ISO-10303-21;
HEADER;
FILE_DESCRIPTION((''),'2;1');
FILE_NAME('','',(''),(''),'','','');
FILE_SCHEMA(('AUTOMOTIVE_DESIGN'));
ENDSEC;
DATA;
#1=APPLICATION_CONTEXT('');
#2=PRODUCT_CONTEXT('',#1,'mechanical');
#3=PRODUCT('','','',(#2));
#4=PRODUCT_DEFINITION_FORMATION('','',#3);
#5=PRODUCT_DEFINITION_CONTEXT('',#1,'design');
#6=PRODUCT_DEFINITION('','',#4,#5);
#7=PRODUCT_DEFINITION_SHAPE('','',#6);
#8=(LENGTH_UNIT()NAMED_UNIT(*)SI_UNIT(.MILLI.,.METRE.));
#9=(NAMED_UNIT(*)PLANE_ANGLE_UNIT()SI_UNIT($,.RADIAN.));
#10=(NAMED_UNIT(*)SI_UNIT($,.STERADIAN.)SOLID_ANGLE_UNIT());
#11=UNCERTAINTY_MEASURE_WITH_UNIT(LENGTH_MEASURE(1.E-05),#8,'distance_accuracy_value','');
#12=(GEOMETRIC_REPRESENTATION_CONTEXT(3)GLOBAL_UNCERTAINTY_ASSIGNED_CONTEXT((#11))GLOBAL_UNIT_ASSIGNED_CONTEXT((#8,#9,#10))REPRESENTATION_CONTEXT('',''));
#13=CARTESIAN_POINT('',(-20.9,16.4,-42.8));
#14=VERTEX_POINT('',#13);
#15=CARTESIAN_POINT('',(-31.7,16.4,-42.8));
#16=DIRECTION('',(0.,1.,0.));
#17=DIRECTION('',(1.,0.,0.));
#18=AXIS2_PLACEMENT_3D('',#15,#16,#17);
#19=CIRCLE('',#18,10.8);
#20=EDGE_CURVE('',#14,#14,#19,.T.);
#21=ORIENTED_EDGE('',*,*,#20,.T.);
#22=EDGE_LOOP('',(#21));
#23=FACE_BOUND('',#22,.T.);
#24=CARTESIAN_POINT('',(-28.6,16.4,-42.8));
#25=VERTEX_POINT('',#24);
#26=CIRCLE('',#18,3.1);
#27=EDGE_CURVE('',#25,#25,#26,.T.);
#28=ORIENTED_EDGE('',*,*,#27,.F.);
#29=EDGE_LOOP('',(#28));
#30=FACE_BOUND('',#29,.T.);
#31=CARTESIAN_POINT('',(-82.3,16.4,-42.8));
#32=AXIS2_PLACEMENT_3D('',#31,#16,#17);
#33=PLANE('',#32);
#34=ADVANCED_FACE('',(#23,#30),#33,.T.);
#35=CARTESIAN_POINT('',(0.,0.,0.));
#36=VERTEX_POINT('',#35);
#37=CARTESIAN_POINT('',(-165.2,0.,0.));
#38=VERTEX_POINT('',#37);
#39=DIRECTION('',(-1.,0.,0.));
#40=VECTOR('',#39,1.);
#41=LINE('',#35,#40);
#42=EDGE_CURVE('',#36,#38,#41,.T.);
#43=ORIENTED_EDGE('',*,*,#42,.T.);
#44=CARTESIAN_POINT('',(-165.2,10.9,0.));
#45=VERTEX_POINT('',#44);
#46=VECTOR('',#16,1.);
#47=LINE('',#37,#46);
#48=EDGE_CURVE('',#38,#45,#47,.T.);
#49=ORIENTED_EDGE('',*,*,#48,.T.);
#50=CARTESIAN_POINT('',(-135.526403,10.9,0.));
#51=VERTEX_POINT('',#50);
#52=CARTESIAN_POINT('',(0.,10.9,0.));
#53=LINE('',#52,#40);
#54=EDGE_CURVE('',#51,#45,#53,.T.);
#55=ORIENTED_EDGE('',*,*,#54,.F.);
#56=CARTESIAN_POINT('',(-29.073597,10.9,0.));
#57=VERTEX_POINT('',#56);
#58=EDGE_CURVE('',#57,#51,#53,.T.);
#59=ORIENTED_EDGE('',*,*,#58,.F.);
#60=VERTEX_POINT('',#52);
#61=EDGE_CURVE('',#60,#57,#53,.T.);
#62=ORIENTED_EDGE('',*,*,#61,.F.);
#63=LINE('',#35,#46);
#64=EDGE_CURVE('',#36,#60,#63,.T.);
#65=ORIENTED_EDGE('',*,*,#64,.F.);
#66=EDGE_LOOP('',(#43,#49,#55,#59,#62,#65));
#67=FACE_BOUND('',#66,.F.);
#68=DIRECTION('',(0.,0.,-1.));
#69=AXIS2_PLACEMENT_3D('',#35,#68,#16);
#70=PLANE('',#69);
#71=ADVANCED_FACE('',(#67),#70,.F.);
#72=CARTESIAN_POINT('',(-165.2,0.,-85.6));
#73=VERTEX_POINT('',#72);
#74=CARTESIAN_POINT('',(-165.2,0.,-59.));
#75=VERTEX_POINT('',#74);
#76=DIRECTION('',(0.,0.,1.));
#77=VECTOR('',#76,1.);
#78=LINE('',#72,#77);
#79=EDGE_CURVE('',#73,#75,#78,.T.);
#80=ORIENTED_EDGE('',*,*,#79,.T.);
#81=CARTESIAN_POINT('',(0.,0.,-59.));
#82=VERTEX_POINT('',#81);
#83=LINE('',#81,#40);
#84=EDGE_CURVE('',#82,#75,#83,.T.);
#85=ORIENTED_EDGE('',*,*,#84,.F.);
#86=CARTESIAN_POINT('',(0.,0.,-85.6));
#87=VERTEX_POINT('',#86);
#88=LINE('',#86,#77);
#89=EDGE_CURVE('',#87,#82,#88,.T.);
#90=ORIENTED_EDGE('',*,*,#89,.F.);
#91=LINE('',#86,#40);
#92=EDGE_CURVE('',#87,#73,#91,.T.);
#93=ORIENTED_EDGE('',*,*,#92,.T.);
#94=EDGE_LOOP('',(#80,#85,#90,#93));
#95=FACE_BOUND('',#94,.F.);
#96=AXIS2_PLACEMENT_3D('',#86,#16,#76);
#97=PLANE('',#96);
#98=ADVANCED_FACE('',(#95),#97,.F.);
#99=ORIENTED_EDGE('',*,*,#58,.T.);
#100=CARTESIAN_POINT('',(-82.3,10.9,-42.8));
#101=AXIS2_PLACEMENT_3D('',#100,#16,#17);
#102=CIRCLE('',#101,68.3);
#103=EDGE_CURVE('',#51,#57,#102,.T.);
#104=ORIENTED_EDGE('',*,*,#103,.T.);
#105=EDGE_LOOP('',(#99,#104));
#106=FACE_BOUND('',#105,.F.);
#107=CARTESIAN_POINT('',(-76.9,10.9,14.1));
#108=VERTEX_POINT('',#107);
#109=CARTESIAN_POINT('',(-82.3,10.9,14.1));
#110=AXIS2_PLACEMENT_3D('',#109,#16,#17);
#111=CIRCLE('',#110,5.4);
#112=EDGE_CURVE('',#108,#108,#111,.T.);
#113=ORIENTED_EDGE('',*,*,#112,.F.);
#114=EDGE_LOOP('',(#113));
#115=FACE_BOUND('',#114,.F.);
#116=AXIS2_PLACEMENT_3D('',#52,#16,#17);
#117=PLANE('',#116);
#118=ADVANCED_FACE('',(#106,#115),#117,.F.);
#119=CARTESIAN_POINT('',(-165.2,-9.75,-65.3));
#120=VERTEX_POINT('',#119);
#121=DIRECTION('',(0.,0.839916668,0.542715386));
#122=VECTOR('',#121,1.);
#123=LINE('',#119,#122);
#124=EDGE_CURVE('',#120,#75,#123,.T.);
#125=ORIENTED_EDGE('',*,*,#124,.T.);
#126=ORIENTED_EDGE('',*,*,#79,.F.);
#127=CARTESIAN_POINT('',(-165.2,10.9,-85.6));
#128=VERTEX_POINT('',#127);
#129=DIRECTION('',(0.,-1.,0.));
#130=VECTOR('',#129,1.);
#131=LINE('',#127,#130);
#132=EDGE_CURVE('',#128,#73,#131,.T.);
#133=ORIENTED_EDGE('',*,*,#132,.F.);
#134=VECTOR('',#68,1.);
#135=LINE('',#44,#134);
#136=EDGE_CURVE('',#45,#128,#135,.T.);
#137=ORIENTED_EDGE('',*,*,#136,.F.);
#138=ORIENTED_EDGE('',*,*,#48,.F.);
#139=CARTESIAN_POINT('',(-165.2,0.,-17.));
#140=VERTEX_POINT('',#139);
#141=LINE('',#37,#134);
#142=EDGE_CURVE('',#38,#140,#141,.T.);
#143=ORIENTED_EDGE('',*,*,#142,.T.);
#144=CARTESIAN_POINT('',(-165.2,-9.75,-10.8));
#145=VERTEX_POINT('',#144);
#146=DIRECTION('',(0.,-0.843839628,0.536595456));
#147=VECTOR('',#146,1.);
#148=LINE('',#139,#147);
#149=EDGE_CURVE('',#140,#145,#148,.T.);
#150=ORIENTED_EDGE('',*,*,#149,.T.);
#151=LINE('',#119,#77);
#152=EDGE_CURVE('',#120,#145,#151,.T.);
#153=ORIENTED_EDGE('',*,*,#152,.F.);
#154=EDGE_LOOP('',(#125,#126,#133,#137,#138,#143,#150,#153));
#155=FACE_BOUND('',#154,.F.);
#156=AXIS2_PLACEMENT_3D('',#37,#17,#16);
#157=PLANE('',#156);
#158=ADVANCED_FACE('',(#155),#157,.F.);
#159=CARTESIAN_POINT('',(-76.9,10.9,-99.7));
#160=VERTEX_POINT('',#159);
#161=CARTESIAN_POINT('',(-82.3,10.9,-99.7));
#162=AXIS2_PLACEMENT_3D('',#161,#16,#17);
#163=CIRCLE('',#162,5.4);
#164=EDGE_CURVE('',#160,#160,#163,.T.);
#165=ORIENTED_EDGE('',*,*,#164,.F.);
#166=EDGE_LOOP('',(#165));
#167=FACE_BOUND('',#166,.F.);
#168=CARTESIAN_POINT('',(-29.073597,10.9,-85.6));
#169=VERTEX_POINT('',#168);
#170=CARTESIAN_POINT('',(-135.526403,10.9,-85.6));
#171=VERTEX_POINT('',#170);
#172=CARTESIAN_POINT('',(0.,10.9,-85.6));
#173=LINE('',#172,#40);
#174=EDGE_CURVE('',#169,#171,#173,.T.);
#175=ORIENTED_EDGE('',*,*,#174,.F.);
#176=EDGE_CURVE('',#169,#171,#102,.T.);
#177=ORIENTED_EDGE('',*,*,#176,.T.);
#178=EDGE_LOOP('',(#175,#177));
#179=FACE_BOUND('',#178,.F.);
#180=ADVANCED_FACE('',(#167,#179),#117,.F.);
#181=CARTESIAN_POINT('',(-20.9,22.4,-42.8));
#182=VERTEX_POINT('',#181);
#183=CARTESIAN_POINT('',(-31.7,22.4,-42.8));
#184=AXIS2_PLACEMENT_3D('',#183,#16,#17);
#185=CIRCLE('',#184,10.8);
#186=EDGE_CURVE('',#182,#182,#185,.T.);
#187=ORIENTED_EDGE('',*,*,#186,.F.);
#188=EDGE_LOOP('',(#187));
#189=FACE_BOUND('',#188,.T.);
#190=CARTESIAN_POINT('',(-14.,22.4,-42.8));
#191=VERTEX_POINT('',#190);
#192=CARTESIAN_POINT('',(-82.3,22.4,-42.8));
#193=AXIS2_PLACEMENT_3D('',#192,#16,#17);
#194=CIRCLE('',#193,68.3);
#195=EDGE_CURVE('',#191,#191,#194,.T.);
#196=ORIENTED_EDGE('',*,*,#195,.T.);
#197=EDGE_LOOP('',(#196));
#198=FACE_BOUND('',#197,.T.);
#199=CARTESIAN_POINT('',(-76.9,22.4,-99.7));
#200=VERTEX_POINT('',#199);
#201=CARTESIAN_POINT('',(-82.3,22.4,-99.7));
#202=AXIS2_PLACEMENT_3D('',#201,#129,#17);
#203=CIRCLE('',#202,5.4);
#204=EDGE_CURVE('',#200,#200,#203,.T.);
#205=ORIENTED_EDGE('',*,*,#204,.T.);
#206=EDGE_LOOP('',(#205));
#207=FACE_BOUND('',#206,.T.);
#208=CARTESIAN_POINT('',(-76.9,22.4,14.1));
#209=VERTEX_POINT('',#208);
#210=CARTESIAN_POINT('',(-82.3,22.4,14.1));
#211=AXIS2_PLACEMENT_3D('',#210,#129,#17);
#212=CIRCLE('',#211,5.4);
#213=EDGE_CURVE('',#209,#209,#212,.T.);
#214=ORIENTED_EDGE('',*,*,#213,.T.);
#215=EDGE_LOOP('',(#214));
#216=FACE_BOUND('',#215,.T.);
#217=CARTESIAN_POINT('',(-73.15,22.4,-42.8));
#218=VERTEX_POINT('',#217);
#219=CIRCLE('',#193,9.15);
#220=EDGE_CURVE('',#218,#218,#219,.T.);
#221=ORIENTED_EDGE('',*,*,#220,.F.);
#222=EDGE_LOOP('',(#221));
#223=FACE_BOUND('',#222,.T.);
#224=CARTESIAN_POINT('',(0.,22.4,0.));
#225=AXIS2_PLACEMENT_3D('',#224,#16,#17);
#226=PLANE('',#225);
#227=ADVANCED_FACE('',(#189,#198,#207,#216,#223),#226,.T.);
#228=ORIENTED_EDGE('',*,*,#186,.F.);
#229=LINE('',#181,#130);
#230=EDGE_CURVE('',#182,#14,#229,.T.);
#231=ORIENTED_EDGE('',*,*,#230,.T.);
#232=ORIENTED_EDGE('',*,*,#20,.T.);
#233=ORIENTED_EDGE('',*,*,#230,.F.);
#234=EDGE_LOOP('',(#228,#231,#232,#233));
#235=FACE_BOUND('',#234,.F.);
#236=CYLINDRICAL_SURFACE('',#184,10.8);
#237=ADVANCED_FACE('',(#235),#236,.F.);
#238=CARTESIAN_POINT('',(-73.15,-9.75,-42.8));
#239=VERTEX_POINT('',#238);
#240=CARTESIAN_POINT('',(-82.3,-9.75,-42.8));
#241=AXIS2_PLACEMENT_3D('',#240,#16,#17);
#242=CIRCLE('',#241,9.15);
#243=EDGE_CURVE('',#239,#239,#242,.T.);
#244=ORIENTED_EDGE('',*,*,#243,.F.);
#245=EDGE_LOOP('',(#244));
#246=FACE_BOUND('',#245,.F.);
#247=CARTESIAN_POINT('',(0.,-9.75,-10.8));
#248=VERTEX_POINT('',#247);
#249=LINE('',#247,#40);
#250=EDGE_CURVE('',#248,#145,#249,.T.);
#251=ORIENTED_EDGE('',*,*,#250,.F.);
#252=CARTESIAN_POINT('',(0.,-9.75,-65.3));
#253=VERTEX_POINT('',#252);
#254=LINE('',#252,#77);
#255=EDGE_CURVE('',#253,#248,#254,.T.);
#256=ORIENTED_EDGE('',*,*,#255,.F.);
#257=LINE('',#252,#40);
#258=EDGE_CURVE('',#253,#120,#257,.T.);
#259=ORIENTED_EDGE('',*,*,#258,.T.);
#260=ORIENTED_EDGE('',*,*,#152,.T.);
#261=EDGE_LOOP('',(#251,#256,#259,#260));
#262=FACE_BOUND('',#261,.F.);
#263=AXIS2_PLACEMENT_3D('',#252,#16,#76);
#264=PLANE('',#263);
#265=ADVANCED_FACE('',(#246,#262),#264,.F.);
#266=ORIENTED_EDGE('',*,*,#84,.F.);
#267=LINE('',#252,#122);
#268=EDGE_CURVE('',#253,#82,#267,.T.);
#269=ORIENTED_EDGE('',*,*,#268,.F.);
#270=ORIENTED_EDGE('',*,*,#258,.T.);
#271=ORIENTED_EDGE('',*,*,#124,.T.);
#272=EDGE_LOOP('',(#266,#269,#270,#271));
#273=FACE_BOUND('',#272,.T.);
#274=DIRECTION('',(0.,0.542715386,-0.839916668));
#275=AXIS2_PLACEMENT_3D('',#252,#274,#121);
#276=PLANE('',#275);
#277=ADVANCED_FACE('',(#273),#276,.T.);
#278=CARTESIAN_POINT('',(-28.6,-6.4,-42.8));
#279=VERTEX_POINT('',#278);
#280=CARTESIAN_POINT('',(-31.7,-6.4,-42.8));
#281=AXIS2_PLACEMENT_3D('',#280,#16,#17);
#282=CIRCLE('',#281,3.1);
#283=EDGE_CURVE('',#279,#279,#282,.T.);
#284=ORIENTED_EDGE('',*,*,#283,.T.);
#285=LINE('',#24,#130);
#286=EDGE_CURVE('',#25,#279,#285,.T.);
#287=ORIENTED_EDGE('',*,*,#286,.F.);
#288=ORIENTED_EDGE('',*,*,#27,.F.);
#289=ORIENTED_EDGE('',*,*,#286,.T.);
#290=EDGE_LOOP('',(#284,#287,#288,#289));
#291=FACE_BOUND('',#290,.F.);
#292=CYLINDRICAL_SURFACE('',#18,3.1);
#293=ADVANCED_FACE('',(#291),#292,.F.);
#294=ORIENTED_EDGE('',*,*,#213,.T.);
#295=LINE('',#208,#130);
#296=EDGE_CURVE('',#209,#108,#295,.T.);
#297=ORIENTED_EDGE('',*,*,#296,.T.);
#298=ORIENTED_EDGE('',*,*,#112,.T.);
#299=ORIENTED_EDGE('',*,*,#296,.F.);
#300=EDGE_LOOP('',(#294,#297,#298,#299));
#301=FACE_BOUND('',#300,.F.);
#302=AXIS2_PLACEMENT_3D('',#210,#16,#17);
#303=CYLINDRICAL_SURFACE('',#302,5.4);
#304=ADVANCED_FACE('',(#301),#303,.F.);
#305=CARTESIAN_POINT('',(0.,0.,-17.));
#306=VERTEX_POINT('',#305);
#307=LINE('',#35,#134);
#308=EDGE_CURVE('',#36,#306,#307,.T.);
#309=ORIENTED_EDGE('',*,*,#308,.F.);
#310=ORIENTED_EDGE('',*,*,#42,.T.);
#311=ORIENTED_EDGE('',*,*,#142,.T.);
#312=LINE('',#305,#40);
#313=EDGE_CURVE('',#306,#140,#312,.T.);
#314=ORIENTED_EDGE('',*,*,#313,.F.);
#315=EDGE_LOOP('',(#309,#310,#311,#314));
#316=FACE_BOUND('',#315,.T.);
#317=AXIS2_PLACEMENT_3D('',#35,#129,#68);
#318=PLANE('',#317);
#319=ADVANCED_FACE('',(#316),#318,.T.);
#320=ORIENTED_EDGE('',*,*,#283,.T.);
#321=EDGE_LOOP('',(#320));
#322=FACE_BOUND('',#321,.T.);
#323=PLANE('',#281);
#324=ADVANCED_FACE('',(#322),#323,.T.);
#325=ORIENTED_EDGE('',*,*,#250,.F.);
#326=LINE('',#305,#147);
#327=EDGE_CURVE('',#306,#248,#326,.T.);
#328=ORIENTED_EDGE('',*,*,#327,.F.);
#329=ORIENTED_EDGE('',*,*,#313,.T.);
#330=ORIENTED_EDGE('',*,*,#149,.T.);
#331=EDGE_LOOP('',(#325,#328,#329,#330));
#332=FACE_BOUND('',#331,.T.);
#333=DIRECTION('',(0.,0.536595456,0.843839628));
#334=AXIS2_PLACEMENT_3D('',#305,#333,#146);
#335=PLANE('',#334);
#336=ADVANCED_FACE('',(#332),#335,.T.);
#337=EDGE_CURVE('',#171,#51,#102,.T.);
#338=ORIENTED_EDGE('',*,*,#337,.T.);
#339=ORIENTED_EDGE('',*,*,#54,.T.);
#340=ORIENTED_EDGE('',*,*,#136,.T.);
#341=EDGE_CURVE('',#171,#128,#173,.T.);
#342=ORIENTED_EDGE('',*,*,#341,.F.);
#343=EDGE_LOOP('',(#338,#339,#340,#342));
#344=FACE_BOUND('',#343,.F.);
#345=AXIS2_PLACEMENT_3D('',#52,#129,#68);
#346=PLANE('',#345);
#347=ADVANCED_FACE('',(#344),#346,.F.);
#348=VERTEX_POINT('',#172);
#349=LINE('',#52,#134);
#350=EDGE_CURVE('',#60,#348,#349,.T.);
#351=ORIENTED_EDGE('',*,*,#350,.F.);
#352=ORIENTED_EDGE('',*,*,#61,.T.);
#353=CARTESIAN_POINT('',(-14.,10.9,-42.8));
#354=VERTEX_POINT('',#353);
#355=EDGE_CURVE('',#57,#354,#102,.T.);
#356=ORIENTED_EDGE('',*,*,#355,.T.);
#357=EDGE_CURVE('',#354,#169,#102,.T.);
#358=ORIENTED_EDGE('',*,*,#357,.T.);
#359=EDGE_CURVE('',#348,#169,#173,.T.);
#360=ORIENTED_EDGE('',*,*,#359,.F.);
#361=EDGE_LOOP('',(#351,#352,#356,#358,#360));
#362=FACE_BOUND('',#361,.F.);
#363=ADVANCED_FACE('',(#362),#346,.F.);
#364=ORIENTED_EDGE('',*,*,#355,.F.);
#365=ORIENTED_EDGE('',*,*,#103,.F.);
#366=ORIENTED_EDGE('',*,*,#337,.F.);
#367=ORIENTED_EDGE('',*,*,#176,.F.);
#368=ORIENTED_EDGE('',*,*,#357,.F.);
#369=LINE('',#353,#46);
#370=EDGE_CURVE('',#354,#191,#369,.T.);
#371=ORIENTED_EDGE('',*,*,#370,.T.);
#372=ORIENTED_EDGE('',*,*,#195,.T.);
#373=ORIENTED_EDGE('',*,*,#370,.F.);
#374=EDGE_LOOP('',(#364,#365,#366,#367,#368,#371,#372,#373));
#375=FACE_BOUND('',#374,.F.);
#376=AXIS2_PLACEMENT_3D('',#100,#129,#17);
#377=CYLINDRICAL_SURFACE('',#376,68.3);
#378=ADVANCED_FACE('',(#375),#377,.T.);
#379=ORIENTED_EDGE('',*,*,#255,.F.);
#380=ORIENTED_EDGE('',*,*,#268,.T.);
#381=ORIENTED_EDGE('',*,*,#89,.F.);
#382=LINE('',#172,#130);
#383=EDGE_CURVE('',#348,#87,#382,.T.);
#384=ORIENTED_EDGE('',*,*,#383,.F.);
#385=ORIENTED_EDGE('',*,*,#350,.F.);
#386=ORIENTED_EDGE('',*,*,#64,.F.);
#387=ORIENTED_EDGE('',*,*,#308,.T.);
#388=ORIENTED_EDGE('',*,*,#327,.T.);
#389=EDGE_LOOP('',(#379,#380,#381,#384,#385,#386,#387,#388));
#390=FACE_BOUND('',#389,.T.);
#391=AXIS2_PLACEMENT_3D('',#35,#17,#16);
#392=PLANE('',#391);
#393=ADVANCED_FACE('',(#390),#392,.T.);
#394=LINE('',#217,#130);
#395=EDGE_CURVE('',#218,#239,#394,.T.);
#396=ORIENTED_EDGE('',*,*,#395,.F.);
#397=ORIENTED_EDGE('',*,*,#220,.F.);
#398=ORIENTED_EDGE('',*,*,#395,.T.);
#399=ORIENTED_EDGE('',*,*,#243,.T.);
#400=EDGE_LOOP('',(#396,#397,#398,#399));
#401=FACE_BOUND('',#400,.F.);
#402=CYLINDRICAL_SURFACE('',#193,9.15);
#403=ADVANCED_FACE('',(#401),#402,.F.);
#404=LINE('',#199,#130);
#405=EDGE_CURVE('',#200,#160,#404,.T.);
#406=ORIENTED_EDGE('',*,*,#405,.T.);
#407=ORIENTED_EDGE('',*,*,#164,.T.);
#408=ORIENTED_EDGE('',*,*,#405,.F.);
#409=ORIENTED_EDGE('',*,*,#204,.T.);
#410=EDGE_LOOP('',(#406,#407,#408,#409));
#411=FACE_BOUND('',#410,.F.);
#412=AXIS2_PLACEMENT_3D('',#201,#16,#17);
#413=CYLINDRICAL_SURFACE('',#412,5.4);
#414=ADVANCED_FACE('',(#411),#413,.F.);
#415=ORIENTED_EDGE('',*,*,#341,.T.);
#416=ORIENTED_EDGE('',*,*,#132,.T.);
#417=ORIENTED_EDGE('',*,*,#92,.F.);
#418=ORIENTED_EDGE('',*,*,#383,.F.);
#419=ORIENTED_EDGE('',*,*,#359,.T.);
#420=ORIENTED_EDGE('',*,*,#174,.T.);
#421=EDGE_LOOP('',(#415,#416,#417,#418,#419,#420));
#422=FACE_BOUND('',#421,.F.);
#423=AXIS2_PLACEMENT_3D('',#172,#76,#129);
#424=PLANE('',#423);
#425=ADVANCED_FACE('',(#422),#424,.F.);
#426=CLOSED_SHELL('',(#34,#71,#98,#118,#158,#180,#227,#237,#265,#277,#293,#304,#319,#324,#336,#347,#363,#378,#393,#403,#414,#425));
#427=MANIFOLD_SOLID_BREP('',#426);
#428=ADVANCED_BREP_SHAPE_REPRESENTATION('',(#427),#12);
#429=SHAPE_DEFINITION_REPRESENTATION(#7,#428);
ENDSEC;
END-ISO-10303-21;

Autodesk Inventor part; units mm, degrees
ref_plane "YZ Plane" through (0, 0, 0) normal (1, 0, 0) x (0, 1, 0)
ref_plane "XZ Plane" through (0, 0, 0) normal (0, 1, 0) x (-1, 0, 0)
ref_plane "XY Plane" through (0, 0, 0) normal (0, 0, 1) x (1, 0, 0)
sketch "Sketch1" plane through (0, 0, 0) normal (1, 0, 0) x (0, 1, 0)
  line L0 (0, 0) -> (10.9, 0)
  line L1 (10.9, 0) -> (10.9, -85.6)
  line L2 (10.9, -85.6) -> (0, -85.6)
  line L3 (0, -85.6) -> (0, -59)
  line L4 (-9.75, -85.6) -> (-9.75, -65.3)
  line L5 (-9.75, -65.3) -> (-9.75, -10.8)
  line L6 (-9.75, -65.3) -> (0, -59)
  line L7 (0, 0) -> (0, -17)
  line L8 (0, -17) -> (-9.75, -10.8)
  dimension "d1" = 85.6
  dimension "d2" = 26.6
  dimension "d5" = 20.3
  dimension "d6" = 54.5
  dimension "d7" = 17
extrude "Extrusion1" add sketch "Sketch1" against normal blind 165.2
sketch "Sketch2" plane through (0, 10.9, 0) normal (0, 1, 0) x (1, 0, 0)
  point P0 (0, 0)
sketch "Sketch3" plane through (0, 10.9, 0) normal (0, 1, 0) x (1, 0, 0)
  line L0 (0, 0) -> (0, 85.6) projected
  line L1 (0, 42.8) -> (-14, 42.8)
  line L2 (-14, 42.8) -> (-82.3, 42.8)
  circle A0 centre (-82.3, 42.8) radius 68.3
  dimension "d10" = 14
  dimension "d11" = 68.3
extrude "Extrusion2" add sketch "Sketch3" along normal blind 11.5
sketch "Sketch4" plane through (-82.3, 22.4, -42.8) normal (0, 1, 0) x (1, 0, 0)
  circle A0 centre (0, 0) radius 9.15
  point P0 (82.3, -42.8)
  dimension "d14" = 18.3
extrude "Extrusion3" cut sketch "Sketch4" against normal blind 73.75
sketch "Sketch5" plane through (-82.3, 22.4, -42.8) normal (0, 1, 0) x (1, 0, 0)
  circle A0 centre (0, 0) radius 68.3 projected
  line L0 (0, 68.3) -> (0, 62.3)
  line L1 (0, -68.3) -> (0, -62.3)
  line L2 (0, 62.3) -> (0, 56.9)
  circle A1 centre (0, 56.9) radius 5.4
  line L3 (0, -62.3) -> (0, -56.9)
  line L4 (82.3, -32) -> (-82.9, -32) projected
  circle A2 centre (0, -56.9) radius 5.4
  point P0 (82.3, -42.8)
  dimension "d17" = 6
  dimension "d18" = 6
  dimension "d19" = 5.4
  dimension "d20" = 5.4
extrude "Extrusion4" cut sketch "Sketch5" against normal blind 73.75 contours A1 | A2
sketch "Sketch6" plane through (-82.3, 22.4, -42.8) normal (0, 1, 0) x (1, 0, 0)
  point P0 (82.3, -42.8)
sketch "Sketch7" plane through (-82.3, 22.4, -42.8) normal (0, 1, 0) x (1, 0, 0)
  circle A0 centre (0, 0) radius 68.3 projected
  line L0 (68.3, 0) -> (61.4, 0)
  line L1 (61.4, 0) -> (50.6, 0)
  circle A1 centre (50.6, 0) radius 10.8
  point P0 (82.3, -42.8)
  dimension "d23" = 6.9
  dimension "d24" = 10.8
extrude "Extrusion5" cut sketch "Sketch7" against normal blind 6 contours A1
sketch "Sketch8" plane through (-31.7, 16.4, -42.8) normal (0, 1, 0) x (1, 0, 0)
  circle A0 centre (0, 0) radius 3.1
  point P0 (31.7, -42.8)
  dimension "d27" = 6.2
extrude "Extrusion6" cut sketch "Sketch8" against normal blind 22.8
properties part number "Top Part Tool bit"
